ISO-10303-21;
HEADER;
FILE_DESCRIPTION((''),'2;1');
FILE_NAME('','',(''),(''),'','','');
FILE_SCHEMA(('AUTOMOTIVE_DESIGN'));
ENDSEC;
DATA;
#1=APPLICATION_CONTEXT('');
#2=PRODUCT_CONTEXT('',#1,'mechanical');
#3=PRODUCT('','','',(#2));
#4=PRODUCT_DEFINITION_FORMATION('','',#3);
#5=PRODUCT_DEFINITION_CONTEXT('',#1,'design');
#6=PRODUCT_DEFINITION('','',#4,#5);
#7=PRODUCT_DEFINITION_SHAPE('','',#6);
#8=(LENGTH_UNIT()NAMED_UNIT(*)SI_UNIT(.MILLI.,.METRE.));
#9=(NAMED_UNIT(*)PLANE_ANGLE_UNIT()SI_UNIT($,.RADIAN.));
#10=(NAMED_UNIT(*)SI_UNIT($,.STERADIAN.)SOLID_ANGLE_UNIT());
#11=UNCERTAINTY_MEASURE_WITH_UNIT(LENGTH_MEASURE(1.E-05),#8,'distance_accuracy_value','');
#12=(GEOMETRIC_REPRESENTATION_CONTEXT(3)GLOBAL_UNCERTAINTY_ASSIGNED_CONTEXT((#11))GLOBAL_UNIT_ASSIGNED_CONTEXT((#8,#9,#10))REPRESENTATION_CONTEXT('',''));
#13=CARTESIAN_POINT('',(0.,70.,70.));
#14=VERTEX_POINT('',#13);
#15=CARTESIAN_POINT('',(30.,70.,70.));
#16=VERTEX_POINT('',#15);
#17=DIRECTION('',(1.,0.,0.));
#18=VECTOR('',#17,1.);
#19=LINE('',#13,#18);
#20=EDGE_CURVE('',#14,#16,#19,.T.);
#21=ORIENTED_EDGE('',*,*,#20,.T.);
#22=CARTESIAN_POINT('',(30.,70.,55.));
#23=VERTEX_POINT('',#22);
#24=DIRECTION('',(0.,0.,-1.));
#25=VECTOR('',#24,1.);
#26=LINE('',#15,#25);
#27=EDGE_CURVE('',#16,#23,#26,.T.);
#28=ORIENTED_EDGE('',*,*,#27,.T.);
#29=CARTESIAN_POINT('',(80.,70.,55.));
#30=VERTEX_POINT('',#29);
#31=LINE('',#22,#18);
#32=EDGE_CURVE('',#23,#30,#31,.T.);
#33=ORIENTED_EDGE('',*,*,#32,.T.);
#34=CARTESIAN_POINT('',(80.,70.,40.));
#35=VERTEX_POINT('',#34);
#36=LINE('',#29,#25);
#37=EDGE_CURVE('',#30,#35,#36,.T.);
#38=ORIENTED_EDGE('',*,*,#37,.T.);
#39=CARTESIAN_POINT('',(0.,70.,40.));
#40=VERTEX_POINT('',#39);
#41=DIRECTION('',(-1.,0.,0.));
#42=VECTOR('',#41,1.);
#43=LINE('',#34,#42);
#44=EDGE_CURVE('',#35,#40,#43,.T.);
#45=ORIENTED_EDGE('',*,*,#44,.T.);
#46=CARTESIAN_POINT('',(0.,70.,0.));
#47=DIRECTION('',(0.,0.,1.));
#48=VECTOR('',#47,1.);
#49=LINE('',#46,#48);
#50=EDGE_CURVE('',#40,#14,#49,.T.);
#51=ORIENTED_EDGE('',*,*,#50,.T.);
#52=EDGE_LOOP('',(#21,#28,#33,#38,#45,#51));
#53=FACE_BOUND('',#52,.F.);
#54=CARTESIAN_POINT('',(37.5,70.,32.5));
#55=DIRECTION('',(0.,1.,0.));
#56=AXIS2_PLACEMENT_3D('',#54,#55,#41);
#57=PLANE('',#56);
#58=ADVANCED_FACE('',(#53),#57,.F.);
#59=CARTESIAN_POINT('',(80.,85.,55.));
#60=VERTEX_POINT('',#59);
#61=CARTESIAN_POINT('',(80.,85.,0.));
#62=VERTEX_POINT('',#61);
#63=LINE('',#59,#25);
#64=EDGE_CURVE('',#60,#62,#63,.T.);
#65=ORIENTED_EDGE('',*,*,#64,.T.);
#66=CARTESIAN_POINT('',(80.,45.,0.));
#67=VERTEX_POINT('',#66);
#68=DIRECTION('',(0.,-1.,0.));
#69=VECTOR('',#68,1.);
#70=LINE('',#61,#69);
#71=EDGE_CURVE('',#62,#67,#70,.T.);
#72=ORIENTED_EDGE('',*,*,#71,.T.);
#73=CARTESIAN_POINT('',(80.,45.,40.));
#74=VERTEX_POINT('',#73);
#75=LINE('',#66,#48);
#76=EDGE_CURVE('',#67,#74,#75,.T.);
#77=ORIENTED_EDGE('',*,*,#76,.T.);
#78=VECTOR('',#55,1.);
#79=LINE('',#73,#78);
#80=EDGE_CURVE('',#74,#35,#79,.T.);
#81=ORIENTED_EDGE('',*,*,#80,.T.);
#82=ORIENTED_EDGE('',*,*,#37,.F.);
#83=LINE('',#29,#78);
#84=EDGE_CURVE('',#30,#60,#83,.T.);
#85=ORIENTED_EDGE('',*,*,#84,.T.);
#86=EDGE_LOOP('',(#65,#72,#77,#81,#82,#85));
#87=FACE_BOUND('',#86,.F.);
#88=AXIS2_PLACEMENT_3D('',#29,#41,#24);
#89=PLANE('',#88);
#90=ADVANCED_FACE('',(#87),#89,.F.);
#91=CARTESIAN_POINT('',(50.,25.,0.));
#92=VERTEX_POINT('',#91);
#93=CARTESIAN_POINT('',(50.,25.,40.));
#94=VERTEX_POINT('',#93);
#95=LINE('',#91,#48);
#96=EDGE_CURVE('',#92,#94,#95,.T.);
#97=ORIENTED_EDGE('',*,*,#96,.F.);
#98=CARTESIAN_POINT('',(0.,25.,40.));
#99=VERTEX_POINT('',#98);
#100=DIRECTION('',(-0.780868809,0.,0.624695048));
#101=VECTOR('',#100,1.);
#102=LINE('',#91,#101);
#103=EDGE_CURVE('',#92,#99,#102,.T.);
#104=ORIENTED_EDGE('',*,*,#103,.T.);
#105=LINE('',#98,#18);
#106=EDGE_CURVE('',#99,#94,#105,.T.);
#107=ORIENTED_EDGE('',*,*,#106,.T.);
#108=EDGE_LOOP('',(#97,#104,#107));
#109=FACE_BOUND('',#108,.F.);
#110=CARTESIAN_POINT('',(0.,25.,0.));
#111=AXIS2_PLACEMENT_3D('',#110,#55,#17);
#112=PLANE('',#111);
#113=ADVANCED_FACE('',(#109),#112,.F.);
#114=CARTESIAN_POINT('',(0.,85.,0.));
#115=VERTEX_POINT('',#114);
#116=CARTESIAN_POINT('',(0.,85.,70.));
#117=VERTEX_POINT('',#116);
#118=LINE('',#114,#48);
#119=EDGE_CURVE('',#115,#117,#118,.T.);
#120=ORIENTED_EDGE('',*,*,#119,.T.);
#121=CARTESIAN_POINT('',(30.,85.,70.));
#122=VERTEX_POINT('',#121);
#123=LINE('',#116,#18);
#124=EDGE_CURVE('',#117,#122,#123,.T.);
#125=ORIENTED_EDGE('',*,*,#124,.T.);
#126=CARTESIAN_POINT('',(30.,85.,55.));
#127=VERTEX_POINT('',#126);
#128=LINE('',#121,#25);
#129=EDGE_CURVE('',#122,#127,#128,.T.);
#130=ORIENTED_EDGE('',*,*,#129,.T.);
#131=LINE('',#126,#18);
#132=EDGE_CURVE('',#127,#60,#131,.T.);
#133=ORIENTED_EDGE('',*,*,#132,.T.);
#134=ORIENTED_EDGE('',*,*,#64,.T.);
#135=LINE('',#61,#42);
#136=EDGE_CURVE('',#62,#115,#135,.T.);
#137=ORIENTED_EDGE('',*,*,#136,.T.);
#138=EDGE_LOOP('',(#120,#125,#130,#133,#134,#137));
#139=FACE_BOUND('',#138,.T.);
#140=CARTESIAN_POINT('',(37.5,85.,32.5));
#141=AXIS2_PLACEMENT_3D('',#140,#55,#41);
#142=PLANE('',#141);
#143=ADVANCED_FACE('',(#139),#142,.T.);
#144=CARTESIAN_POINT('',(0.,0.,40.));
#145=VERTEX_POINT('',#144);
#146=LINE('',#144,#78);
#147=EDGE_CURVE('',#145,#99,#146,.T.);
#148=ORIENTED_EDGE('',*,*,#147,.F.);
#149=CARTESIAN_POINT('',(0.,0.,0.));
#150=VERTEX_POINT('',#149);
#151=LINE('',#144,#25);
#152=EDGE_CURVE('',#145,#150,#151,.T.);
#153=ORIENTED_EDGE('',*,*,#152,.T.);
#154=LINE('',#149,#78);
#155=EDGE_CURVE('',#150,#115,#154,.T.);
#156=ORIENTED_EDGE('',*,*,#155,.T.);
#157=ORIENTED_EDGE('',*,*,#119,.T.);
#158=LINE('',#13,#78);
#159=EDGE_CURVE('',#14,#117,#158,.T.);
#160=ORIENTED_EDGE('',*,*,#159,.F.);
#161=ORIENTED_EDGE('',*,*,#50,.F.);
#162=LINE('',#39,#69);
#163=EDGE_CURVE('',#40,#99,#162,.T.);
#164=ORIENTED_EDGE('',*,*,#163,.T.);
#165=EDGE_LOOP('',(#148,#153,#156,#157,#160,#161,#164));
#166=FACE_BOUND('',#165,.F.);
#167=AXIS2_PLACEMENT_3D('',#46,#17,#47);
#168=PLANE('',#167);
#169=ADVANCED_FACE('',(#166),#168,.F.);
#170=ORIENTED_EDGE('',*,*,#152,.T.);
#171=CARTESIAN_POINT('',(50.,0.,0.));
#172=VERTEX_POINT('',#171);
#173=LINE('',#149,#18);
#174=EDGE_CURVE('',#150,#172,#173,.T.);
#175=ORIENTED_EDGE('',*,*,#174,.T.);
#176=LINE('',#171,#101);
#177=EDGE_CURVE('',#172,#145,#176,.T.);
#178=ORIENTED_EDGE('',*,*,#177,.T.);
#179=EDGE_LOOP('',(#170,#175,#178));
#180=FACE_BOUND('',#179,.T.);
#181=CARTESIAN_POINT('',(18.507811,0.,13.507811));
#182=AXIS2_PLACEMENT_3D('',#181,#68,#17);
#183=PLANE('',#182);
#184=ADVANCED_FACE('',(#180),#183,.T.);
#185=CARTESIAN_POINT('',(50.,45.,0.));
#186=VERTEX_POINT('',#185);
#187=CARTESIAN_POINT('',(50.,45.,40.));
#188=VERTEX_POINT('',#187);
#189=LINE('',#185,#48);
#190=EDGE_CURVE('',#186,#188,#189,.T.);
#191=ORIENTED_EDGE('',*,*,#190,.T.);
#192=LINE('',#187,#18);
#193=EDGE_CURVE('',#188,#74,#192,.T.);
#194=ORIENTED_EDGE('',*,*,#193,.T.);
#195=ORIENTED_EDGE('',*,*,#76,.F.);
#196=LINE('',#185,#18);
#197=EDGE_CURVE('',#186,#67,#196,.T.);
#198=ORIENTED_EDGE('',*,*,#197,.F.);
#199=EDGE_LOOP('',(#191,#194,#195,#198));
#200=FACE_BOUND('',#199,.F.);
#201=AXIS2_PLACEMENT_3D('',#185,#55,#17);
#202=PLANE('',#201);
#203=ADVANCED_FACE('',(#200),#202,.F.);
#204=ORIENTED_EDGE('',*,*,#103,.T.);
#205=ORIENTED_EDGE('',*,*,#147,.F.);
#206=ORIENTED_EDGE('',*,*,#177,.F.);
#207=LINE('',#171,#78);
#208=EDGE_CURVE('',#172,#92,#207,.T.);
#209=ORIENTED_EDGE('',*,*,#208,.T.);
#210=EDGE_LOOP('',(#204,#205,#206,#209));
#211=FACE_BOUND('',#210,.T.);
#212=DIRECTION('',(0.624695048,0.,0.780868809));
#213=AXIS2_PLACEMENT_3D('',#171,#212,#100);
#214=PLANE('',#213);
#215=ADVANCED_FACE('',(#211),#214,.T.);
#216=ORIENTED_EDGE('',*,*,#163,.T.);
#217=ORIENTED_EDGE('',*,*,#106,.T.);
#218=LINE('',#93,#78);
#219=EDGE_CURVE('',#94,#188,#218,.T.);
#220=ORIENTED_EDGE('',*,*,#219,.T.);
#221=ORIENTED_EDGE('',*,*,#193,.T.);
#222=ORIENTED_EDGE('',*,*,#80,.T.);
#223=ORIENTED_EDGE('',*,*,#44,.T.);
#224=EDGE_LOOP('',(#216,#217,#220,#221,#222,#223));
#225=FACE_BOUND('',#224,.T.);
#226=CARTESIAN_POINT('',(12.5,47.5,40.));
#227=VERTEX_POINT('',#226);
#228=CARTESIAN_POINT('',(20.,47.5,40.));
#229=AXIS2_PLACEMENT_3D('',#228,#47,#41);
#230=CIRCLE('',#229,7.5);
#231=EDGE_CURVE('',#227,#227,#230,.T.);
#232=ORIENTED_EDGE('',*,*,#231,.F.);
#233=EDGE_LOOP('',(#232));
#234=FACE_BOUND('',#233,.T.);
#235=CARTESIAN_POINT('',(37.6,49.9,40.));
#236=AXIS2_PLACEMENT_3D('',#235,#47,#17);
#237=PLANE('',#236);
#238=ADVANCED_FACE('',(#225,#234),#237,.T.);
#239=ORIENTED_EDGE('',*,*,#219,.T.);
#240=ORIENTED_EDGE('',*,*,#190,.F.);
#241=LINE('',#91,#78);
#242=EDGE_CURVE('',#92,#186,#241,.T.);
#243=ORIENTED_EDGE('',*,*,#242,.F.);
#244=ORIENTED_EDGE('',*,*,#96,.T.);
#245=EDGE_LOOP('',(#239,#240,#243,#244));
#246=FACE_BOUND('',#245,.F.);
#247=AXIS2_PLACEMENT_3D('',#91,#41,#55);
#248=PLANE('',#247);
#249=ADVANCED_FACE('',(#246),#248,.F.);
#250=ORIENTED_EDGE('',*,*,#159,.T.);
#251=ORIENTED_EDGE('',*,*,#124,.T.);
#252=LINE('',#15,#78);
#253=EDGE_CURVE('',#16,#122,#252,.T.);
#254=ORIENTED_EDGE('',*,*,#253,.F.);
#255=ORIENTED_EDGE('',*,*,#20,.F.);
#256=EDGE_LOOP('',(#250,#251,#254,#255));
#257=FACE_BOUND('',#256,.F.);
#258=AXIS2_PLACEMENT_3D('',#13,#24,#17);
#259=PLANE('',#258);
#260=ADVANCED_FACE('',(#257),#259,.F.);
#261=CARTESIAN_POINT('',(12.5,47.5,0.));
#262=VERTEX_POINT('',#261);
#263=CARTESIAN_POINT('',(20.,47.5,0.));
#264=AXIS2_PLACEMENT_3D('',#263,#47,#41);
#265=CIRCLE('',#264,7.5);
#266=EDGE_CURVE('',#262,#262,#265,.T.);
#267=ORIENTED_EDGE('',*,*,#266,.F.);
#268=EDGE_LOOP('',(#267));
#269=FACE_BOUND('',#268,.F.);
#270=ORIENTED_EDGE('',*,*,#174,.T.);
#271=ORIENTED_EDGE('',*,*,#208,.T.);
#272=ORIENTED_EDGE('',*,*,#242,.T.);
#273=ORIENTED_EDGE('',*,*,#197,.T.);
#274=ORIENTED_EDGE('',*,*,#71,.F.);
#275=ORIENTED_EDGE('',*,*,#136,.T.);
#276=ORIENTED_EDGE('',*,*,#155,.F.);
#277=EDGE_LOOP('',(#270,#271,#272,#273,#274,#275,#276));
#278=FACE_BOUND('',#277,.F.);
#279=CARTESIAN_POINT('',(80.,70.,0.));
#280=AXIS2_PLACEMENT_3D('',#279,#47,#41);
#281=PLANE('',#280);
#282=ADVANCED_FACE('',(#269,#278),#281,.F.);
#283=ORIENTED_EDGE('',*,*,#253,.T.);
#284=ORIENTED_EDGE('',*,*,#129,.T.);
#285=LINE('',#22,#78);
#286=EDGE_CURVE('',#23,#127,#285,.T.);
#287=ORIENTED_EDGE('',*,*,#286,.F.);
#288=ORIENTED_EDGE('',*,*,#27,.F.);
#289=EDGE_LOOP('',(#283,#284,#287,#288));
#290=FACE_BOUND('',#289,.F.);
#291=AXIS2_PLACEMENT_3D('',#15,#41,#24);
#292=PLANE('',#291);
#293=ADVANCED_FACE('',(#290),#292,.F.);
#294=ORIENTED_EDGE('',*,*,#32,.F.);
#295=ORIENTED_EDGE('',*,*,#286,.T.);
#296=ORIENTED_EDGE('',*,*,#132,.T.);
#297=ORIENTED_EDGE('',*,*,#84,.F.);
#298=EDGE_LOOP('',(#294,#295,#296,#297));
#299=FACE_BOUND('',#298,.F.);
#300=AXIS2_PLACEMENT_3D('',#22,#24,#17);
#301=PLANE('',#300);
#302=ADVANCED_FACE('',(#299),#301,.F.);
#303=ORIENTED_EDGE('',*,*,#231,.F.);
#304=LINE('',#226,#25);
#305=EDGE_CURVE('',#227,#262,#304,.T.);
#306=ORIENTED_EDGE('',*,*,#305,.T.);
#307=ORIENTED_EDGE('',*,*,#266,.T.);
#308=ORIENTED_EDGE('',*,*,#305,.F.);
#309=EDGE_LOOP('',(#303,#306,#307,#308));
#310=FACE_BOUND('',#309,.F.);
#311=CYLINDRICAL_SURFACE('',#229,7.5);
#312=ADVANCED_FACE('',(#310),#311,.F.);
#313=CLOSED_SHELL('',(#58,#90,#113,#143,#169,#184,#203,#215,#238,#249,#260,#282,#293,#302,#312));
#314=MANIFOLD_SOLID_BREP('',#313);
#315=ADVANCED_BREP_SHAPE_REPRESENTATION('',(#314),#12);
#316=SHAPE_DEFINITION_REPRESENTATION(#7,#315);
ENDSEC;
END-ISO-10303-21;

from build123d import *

# Parameters (mm, degrees)
F1_DEPTH = 25
F3_DEPTH = 40
F5_DEPTH = 15
F7_DEPTH = 40


with BuildPart() as f1:
    # F0 (on Front) → F1 (new body)
    with BuildSketch(Plane.XZ):
        Polygon((0, 40), (0, 0), (50, 0), align=None)
    extrude(amount=-F1_DEPTH)

    # F2 (on Top) → F3 (join)
    with BuildSketch(Plane.XY):
        Polygon((0, 70), (0, 25), (50, 25), (50, 45), (80, 45), (80, 70), align=None)
    extrude(amount=F3_DEPTH)

    # F4 (on face) → F5 (join)
    with BuildSketch(Plane(origin=(0, 70, 0), x_dir=(-1, 0, 0), z_dir=(0, 1, 0))):
        Polygon((-80, 0), (0, 0), (0, 70), (-30, 70), (-30, 55), (-80, 55), (-80, 40), align=None)
    extrude(amount=F5_DEPTH)

    # F6 (on face) → F7 (cut)
    with BuildSketch(Plane.XY.offset(40)):
        with BuildLine():
            ThreePointArc((27.5, 47.5), (20, 55), (12.5, 47.5))
            ThreePointArc((12.5, 47.5), (20, 40), (27.5, 47.5))
        make_face()
    extrude(amount=-F7_DEPTH, mode=Mode.SUBTRACT)


solid = f1.part
